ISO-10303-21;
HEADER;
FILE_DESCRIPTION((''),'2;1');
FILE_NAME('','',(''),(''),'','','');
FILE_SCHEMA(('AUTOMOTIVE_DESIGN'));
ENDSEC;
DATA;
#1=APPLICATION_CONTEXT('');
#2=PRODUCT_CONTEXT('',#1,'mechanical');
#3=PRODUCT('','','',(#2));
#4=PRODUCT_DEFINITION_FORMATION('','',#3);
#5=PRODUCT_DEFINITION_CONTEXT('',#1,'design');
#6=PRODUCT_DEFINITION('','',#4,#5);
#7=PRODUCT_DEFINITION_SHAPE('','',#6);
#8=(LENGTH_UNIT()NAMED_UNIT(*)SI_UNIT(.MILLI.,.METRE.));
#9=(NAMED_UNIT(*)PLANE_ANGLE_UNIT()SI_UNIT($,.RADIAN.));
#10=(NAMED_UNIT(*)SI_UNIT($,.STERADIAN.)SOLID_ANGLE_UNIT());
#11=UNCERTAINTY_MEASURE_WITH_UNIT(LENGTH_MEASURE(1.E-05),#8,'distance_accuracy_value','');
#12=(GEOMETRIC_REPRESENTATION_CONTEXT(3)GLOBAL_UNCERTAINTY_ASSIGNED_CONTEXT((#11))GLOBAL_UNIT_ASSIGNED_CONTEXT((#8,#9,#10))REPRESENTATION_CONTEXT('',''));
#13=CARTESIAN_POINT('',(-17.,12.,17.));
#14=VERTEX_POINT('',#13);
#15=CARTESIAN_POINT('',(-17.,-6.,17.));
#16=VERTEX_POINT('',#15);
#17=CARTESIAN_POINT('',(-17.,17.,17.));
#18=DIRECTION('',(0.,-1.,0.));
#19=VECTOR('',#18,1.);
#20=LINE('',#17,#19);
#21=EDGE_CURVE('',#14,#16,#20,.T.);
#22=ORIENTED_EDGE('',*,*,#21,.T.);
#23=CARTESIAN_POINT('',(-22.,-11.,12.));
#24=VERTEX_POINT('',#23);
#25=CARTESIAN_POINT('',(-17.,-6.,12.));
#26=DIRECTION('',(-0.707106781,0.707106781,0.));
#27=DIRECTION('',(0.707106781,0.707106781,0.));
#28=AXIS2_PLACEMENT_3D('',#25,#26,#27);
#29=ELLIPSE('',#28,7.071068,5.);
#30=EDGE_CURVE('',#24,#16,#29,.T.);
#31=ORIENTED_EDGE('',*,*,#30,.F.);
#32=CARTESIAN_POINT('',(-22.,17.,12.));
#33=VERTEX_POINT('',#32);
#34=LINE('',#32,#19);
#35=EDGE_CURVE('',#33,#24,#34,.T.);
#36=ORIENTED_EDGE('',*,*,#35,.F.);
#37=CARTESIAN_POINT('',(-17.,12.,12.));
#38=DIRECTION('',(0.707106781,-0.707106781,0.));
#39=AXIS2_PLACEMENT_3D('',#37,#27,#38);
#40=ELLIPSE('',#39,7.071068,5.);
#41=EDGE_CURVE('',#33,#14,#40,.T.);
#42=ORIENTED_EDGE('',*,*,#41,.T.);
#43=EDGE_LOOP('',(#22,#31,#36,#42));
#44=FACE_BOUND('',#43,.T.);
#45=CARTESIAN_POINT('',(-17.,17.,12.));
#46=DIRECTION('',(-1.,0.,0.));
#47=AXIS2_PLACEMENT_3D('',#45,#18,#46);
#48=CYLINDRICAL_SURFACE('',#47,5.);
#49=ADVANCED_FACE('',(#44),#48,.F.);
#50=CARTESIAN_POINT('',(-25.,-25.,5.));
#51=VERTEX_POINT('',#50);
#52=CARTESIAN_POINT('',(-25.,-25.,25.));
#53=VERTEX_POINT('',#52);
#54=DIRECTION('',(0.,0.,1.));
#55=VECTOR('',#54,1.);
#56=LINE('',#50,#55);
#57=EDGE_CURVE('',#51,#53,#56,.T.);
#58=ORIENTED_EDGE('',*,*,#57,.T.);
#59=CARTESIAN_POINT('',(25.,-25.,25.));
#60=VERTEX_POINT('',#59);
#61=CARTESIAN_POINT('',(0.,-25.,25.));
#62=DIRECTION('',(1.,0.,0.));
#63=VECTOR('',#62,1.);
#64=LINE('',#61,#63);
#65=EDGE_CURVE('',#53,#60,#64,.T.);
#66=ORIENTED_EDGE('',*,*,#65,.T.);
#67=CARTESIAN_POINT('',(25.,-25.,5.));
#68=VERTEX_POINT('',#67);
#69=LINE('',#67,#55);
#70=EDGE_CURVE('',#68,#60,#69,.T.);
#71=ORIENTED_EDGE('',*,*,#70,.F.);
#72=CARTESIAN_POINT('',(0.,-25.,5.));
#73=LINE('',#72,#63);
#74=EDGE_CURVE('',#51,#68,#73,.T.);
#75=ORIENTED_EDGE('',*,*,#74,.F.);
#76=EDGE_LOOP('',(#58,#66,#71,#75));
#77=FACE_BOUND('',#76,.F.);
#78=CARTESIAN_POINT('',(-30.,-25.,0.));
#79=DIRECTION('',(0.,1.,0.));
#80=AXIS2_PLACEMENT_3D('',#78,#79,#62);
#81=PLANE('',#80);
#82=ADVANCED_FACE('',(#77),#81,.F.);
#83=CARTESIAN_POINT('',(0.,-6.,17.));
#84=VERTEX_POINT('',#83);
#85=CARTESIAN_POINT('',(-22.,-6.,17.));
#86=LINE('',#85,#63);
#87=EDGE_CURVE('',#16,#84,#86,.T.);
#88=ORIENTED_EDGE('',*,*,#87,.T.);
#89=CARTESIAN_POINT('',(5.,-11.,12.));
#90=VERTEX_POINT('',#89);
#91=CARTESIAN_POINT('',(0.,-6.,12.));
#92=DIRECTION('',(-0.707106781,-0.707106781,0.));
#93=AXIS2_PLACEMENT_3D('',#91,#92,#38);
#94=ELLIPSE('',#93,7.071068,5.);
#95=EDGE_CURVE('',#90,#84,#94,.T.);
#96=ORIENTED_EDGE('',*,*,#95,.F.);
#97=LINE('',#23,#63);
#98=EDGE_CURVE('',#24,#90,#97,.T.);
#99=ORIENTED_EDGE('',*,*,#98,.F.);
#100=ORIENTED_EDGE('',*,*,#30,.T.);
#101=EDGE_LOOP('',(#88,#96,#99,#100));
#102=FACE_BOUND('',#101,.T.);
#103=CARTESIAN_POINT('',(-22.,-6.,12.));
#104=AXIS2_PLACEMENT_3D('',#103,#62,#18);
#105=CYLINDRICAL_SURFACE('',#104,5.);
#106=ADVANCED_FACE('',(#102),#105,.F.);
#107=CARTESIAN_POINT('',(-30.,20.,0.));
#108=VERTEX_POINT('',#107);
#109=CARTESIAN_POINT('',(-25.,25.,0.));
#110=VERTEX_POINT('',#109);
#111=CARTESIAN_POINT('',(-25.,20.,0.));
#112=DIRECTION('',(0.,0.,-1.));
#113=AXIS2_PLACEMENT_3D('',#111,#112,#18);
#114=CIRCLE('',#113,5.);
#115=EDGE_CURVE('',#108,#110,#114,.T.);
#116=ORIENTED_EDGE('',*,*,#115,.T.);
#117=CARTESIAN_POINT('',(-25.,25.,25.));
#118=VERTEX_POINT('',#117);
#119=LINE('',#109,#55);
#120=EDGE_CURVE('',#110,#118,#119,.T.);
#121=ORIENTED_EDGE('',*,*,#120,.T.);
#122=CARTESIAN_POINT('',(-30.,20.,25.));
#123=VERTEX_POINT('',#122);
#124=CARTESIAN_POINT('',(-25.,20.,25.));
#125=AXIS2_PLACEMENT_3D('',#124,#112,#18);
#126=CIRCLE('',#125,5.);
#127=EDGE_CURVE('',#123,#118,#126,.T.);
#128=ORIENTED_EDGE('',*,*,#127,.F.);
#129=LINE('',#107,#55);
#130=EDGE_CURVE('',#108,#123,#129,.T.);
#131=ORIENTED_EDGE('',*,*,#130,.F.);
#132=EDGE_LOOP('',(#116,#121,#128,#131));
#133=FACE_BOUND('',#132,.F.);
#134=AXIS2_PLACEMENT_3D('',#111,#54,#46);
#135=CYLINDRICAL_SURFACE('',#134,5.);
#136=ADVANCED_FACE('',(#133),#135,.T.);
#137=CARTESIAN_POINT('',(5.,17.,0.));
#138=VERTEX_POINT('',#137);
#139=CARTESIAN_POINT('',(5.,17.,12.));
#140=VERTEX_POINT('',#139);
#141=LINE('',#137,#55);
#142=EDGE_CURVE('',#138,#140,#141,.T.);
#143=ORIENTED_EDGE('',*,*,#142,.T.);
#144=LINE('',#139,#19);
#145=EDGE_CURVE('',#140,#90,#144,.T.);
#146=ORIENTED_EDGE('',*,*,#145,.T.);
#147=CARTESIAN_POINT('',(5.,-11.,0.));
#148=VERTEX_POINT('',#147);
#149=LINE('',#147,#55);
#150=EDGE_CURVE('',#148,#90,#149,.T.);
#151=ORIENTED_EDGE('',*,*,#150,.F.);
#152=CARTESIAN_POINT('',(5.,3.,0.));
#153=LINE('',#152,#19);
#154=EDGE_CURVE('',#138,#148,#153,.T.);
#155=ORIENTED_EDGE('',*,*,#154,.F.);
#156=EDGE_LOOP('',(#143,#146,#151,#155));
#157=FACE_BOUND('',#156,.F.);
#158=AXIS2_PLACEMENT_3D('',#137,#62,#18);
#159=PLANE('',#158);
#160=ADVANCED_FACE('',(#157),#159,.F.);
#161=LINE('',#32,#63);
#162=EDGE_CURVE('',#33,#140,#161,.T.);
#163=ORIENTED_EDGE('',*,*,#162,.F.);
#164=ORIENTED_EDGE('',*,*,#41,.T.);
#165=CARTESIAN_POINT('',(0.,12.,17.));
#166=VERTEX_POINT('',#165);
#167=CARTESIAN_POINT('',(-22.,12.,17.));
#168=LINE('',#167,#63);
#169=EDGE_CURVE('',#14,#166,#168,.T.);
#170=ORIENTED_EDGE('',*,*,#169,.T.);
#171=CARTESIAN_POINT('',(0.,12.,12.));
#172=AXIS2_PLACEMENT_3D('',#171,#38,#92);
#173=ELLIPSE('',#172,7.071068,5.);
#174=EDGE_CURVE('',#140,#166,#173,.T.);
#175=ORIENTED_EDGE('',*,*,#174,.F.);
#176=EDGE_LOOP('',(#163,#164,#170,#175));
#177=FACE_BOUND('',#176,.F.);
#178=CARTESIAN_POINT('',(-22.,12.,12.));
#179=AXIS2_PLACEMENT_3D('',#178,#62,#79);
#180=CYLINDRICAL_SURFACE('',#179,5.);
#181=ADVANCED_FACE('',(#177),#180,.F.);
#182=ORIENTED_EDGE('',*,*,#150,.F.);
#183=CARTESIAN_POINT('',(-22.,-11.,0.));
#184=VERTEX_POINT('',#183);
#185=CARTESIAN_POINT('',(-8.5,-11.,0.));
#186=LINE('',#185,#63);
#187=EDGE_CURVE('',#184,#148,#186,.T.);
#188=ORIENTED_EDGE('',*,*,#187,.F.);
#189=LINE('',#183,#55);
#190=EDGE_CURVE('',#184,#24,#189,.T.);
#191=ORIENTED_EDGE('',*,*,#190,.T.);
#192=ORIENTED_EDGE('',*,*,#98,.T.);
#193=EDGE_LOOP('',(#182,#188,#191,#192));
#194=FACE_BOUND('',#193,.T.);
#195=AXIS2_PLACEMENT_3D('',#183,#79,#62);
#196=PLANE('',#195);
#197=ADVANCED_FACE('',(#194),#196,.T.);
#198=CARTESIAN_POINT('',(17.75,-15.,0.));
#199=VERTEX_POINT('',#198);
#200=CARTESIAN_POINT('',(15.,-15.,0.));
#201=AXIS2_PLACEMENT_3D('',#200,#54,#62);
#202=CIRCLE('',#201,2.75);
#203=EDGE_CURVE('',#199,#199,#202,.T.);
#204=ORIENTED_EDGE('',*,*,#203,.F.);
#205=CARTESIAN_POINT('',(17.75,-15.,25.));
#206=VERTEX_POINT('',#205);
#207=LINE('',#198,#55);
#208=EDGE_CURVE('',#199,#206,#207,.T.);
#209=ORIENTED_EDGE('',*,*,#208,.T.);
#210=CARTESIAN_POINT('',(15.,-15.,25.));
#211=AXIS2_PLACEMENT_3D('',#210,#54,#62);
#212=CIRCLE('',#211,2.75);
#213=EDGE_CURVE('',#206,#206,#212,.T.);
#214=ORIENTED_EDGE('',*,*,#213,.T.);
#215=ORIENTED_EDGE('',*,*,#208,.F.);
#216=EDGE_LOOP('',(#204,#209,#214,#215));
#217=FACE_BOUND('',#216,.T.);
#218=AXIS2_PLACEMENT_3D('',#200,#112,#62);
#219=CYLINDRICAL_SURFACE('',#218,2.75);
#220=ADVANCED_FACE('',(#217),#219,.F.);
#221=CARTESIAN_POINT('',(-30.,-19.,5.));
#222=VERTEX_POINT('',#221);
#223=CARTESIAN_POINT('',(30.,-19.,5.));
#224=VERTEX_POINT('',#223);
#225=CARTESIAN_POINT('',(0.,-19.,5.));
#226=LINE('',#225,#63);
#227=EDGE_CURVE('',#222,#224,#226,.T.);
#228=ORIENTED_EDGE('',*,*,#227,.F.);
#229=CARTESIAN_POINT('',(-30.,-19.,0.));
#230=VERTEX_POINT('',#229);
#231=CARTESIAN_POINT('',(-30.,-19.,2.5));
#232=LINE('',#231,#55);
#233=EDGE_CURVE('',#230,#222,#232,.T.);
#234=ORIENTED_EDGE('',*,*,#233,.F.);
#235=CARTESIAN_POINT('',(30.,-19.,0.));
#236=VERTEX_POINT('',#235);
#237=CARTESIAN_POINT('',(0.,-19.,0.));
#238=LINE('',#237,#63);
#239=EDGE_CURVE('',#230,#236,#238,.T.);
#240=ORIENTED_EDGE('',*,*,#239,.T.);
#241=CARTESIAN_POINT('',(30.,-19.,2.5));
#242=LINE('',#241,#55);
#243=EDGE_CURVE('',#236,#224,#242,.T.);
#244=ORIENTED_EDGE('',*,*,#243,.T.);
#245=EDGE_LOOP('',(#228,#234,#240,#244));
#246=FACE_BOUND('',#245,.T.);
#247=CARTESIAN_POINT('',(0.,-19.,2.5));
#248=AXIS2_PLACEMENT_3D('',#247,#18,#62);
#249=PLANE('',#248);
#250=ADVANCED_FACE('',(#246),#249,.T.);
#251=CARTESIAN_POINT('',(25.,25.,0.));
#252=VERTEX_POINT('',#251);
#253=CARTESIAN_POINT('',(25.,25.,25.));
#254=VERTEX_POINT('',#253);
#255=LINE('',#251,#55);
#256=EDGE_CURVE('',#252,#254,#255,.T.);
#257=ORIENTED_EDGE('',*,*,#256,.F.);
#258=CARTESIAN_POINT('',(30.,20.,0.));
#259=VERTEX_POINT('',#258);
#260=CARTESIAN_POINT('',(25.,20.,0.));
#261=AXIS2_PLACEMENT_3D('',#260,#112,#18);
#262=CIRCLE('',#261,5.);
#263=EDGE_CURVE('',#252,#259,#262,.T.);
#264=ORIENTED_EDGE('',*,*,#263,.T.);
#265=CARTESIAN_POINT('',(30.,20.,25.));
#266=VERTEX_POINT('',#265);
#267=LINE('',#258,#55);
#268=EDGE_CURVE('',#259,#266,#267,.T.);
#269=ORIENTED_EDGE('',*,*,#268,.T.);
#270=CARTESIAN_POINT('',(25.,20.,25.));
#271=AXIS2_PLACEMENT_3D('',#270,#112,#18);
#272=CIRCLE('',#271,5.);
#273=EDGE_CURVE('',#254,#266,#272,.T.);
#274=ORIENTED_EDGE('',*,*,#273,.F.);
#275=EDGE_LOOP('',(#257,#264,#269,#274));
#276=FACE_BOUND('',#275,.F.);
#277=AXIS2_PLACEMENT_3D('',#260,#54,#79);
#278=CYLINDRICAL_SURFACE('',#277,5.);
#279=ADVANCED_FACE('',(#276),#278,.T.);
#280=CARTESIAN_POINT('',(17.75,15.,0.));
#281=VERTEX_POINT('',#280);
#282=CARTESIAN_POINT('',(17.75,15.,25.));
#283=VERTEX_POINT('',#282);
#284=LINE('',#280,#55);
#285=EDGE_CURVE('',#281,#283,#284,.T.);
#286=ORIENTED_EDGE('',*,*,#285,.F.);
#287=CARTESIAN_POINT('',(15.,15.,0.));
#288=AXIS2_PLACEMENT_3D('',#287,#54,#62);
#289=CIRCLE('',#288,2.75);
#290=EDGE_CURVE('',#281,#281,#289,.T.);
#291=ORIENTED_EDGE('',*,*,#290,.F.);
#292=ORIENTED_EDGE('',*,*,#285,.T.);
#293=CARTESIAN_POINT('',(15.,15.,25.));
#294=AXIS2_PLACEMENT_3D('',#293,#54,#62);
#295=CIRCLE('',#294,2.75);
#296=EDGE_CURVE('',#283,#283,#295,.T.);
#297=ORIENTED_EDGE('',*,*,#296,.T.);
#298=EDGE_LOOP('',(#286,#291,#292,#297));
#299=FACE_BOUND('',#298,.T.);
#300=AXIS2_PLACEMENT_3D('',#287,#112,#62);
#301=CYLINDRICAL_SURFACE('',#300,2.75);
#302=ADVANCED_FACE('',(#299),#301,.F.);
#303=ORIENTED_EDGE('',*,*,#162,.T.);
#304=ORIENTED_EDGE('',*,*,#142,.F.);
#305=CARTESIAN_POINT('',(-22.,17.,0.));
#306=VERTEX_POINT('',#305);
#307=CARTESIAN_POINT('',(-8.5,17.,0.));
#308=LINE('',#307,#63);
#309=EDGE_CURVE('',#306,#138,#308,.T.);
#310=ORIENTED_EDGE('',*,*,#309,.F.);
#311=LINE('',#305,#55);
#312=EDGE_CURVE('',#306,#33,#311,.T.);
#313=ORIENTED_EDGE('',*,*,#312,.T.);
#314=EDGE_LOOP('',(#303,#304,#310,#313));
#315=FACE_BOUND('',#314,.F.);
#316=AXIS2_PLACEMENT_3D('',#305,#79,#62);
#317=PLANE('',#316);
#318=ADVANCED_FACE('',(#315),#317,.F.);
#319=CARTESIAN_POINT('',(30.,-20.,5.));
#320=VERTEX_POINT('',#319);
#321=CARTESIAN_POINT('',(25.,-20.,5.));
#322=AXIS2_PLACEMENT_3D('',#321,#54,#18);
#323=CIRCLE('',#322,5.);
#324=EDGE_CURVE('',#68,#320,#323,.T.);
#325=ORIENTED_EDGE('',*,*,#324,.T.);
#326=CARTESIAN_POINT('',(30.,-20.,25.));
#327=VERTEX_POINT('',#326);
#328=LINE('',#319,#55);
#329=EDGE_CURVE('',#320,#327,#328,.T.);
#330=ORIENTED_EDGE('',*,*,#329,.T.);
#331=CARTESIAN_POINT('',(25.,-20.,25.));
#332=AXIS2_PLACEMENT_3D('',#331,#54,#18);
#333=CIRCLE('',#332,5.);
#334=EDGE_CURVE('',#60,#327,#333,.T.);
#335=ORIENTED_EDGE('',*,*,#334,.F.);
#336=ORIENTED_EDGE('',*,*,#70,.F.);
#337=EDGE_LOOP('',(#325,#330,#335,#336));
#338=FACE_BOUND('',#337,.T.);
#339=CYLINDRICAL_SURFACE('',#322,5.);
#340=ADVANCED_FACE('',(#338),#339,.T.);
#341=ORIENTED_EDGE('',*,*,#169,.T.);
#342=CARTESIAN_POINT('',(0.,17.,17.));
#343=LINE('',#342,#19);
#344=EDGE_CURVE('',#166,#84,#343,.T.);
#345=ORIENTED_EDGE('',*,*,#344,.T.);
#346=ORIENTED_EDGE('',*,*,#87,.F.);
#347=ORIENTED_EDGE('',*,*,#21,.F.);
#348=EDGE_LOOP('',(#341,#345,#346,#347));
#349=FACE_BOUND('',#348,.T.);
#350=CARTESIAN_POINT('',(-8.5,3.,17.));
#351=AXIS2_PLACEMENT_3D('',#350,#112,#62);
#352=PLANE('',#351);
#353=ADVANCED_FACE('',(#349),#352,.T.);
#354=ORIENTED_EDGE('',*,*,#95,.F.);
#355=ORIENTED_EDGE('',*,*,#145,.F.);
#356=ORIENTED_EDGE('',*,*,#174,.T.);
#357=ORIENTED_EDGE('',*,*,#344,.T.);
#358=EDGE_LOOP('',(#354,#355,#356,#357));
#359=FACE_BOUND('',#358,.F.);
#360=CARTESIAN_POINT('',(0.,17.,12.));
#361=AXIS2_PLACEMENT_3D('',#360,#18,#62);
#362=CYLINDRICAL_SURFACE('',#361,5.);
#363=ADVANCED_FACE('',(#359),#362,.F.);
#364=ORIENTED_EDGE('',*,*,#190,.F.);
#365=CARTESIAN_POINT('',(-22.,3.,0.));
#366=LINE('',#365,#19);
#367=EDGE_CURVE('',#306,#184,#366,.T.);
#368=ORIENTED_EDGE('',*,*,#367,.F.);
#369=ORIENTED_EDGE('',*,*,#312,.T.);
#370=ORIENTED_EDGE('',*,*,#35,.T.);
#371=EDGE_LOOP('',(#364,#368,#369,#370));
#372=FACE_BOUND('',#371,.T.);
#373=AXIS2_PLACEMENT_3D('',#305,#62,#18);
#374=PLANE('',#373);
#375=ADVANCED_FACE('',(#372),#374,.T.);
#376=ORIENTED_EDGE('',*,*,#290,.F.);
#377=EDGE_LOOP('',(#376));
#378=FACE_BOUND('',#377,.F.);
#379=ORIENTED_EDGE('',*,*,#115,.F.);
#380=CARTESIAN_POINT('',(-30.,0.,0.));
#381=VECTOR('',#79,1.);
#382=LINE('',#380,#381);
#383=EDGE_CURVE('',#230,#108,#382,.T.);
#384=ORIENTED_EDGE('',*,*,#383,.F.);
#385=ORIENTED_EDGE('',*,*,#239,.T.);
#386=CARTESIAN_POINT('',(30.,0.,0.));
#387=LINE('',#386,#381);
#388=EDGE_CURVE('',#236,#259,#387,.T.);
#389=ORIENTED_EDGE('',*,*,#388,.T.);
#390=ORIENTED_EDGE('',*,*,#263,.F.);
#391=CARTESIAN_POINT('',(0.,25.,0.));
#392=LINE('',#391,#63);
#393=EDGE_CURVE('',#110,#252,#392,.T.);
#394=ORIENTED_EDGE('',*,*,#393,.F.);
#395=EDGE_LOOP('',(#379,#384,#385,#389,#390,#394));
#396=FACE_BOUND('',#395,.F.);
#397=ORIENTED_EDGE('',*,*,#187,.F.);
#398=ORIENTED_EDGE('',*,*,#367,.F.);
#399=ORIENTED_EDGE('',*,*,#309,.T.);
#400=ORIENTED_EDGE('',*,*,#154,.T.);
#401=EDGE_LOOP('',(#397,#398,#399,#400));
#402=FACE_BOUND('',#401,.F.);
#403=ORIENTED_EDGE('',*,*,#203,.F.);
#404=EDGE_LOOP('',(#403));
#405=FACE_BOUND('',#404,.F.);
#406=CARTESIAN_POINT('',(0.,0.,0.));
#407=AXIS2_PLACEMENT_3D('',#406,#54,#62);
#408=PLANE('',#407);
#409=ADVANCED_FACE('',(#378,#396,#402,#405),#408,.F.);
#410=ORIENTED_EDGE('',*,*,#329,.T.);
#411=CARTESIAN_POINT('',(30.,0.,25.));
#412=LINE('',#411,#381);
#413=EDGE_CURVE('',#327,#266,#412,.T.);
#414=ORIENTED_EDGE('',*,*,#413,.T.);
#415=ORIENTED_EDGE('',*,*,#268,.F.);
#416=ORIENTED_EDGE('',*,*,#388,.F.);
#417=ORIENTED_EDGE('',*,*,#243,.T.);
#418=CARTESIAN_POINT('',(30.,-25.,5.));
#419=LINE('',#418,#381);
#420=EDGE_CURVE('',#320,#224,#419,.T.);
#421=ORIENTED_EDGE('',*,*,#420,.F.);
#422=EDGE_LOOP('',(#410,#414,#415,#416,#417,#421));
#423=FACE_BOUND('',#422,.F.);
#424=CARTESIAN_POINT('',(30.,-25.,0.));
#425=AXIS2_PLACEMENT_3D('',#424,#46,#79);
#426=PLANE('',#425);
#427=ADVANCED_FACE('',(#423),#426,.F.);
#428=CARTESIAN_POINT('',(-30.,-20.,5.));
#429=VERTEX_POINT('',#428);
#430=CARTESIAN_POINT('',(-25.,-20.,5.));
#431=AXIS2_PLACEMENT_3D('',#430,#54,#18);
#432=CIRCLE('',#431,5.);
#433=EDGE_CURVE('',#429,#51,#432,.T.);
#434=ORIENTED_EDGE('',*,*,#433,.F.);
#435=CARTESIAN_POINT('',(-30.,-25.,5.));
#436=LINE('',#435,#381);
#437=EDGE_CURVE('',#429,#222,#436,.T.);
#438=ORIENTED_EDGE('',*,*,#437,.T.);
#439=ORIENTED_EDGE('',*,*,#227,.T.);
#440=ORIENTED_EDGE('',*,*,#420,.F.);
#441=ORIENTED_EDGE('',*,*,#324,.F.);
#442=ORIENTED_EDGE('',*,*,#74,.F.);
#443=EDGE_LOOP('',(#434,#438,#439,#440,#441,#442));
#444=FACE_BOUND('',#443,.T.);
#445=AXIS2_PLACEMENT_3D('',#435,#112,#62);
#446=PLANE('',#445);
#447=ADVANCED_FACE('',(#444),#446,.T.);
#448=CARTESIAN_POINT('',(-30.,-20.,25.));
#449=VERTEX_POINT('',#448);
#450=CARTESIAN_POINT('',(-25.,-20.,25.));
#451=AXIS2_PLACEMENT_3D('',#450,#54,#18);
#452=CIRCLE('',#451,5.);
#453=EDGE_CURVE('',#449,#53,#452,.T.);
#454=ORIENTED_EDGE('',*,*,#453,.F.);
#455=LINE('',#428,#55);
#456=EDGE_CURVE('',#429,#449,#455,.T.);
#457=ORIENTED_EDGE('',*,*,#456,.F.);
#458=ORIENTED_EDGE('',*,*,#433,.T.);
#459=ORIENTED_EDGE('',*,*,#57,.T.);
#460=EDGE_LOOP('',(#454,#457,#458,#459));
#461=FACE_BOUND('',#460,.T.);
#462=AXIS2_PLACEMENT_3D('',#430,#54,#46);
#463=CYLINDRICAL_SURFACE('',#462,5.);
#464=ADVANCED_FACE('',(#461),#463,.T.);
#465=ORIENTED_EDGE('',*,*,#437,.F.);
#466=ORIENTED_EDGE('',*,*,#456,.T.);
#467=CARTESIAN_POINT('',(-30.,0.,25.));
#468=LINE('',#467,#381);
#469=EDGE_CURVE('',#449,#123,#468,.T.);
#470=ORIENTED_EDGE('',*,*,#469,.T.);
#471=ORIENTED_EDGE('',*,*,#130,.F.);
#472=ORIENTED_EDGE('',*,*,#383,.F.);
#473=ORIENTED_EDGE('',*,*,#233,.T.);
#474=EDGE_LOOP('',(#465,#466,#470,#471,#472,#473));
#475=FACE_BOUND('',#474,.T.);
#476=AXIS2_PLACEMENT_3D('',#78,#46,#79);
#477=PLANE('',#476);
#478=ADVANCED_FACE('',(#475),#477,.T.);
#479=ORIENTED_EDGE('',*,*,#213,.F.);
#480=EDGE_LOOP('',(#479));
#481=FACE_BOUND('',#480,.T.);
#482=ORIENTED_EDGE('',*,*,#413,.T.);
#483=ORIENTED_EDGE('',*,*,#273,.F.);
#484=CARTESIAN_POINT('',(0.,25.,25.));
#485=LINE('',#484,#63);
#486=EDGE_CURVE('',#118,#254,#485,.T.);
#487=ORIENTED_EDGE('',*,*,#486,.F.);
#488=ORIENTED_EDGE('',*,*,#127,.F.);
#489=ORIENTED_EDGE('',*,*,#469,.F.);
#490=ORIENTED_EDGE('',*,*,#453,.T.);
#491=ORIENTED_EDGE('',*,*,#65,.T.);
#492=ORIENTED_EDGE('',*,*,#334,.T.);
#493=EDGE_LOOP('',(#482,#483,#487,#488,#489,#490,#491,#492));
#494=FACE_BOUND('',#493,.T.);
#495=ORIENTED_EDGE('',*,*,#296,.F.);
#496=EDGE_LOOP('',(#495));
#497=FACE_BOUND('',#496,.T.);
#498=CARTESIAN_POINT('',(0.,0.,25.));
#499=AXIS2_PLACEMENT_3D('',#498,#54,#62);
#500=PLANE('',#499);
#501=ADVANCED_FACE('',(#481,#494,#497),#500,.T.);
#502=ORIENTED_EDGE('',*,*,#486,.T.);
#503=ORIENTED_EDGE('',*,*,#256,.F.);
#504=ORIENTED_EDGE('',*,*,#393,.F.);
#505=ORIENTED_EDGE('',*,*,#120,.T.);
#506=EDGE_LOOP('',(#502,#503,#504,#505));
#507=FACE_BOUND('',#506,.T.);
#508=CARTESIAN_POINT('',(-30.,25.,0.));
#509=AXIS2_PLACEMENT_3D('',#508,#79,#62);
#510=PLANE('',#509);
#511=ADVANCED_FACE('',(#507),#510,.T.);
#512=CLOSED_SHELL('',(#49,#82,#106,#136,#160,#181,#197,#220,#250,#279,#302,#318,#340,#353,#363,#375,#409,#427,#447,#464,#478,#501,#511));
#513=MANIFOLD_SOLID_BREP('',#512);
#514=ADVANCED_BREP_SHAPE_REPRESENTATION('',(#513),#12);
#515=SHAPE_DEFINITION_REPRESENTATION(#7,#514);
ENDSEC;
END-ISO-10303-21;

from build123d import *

# Parameters (mm, degrees)
F0_W     = 60
F0_H     = 50
F0_R     = 2.75
F1_DEPTH = 25
F2_W     = 60
F2_H     = 5
F3_DEPTH = 6
F4_R     = 5
F5_W     = 27
F5_H     = 28
F6_DEPTH = 17
F7_R     = 5


with BuildPart() as f1:
    # F0 (on Top) → F1 (new body)
    with BuildSketch(Plane.XY):
        Rectangle(F0_W, F0_H)
        with Locations((15, -15)):
            Circle(F0_R, mode=Mode.SUBTRACT)
        with Locations((15, 15)):
            Circle(F0_R, mode=Mode.SUBTRACT)
    extrude(amount=F1_DEPTH)

    # F2 (on face) → F3 (cut)
    with BuildSketch(Plane.XZ.offset(25)):
        with Locations((0, 2.5)):
            Rectangle(F2_W, F2_H)
    extrude(amount=-F3_DEPTH, mode=Mode.SUBTRACT)

    # F4
    f4_edges = [f1.edges().sort_by_distance(p)[0] for p in [
        (30, -25, 15),
        (-30, -25, 15),
        (-30, 25, 12.5),
        (30, 25, 12.5),
    ]]
    fillet(f4_edges, radius=F4_R)

    # F5 (on face) → F6 (cut)
    with BuildSketch(Plane(origin=(0, 0, 0), x_dir=(1, 0, 0), z_dir=(0, 0, -1))):
        with Locations((-8.5, -3)):
            Rectangle(F5_W, F5_H)
    extrude(amount=-F6_DEPTH, mode=Mode.SUBTRACT)

    # F7
    f7_edges = [f1.edges().sort_by_distance(p)[0] for p in [
        (-8.5, -11, 17),
        (5, 3, 17),
        (-8.5, 17, 17),
        (-22, 3, 17),
    ]]
    fillet(f7_edges, radius=F7_R)


solid = f1.part
